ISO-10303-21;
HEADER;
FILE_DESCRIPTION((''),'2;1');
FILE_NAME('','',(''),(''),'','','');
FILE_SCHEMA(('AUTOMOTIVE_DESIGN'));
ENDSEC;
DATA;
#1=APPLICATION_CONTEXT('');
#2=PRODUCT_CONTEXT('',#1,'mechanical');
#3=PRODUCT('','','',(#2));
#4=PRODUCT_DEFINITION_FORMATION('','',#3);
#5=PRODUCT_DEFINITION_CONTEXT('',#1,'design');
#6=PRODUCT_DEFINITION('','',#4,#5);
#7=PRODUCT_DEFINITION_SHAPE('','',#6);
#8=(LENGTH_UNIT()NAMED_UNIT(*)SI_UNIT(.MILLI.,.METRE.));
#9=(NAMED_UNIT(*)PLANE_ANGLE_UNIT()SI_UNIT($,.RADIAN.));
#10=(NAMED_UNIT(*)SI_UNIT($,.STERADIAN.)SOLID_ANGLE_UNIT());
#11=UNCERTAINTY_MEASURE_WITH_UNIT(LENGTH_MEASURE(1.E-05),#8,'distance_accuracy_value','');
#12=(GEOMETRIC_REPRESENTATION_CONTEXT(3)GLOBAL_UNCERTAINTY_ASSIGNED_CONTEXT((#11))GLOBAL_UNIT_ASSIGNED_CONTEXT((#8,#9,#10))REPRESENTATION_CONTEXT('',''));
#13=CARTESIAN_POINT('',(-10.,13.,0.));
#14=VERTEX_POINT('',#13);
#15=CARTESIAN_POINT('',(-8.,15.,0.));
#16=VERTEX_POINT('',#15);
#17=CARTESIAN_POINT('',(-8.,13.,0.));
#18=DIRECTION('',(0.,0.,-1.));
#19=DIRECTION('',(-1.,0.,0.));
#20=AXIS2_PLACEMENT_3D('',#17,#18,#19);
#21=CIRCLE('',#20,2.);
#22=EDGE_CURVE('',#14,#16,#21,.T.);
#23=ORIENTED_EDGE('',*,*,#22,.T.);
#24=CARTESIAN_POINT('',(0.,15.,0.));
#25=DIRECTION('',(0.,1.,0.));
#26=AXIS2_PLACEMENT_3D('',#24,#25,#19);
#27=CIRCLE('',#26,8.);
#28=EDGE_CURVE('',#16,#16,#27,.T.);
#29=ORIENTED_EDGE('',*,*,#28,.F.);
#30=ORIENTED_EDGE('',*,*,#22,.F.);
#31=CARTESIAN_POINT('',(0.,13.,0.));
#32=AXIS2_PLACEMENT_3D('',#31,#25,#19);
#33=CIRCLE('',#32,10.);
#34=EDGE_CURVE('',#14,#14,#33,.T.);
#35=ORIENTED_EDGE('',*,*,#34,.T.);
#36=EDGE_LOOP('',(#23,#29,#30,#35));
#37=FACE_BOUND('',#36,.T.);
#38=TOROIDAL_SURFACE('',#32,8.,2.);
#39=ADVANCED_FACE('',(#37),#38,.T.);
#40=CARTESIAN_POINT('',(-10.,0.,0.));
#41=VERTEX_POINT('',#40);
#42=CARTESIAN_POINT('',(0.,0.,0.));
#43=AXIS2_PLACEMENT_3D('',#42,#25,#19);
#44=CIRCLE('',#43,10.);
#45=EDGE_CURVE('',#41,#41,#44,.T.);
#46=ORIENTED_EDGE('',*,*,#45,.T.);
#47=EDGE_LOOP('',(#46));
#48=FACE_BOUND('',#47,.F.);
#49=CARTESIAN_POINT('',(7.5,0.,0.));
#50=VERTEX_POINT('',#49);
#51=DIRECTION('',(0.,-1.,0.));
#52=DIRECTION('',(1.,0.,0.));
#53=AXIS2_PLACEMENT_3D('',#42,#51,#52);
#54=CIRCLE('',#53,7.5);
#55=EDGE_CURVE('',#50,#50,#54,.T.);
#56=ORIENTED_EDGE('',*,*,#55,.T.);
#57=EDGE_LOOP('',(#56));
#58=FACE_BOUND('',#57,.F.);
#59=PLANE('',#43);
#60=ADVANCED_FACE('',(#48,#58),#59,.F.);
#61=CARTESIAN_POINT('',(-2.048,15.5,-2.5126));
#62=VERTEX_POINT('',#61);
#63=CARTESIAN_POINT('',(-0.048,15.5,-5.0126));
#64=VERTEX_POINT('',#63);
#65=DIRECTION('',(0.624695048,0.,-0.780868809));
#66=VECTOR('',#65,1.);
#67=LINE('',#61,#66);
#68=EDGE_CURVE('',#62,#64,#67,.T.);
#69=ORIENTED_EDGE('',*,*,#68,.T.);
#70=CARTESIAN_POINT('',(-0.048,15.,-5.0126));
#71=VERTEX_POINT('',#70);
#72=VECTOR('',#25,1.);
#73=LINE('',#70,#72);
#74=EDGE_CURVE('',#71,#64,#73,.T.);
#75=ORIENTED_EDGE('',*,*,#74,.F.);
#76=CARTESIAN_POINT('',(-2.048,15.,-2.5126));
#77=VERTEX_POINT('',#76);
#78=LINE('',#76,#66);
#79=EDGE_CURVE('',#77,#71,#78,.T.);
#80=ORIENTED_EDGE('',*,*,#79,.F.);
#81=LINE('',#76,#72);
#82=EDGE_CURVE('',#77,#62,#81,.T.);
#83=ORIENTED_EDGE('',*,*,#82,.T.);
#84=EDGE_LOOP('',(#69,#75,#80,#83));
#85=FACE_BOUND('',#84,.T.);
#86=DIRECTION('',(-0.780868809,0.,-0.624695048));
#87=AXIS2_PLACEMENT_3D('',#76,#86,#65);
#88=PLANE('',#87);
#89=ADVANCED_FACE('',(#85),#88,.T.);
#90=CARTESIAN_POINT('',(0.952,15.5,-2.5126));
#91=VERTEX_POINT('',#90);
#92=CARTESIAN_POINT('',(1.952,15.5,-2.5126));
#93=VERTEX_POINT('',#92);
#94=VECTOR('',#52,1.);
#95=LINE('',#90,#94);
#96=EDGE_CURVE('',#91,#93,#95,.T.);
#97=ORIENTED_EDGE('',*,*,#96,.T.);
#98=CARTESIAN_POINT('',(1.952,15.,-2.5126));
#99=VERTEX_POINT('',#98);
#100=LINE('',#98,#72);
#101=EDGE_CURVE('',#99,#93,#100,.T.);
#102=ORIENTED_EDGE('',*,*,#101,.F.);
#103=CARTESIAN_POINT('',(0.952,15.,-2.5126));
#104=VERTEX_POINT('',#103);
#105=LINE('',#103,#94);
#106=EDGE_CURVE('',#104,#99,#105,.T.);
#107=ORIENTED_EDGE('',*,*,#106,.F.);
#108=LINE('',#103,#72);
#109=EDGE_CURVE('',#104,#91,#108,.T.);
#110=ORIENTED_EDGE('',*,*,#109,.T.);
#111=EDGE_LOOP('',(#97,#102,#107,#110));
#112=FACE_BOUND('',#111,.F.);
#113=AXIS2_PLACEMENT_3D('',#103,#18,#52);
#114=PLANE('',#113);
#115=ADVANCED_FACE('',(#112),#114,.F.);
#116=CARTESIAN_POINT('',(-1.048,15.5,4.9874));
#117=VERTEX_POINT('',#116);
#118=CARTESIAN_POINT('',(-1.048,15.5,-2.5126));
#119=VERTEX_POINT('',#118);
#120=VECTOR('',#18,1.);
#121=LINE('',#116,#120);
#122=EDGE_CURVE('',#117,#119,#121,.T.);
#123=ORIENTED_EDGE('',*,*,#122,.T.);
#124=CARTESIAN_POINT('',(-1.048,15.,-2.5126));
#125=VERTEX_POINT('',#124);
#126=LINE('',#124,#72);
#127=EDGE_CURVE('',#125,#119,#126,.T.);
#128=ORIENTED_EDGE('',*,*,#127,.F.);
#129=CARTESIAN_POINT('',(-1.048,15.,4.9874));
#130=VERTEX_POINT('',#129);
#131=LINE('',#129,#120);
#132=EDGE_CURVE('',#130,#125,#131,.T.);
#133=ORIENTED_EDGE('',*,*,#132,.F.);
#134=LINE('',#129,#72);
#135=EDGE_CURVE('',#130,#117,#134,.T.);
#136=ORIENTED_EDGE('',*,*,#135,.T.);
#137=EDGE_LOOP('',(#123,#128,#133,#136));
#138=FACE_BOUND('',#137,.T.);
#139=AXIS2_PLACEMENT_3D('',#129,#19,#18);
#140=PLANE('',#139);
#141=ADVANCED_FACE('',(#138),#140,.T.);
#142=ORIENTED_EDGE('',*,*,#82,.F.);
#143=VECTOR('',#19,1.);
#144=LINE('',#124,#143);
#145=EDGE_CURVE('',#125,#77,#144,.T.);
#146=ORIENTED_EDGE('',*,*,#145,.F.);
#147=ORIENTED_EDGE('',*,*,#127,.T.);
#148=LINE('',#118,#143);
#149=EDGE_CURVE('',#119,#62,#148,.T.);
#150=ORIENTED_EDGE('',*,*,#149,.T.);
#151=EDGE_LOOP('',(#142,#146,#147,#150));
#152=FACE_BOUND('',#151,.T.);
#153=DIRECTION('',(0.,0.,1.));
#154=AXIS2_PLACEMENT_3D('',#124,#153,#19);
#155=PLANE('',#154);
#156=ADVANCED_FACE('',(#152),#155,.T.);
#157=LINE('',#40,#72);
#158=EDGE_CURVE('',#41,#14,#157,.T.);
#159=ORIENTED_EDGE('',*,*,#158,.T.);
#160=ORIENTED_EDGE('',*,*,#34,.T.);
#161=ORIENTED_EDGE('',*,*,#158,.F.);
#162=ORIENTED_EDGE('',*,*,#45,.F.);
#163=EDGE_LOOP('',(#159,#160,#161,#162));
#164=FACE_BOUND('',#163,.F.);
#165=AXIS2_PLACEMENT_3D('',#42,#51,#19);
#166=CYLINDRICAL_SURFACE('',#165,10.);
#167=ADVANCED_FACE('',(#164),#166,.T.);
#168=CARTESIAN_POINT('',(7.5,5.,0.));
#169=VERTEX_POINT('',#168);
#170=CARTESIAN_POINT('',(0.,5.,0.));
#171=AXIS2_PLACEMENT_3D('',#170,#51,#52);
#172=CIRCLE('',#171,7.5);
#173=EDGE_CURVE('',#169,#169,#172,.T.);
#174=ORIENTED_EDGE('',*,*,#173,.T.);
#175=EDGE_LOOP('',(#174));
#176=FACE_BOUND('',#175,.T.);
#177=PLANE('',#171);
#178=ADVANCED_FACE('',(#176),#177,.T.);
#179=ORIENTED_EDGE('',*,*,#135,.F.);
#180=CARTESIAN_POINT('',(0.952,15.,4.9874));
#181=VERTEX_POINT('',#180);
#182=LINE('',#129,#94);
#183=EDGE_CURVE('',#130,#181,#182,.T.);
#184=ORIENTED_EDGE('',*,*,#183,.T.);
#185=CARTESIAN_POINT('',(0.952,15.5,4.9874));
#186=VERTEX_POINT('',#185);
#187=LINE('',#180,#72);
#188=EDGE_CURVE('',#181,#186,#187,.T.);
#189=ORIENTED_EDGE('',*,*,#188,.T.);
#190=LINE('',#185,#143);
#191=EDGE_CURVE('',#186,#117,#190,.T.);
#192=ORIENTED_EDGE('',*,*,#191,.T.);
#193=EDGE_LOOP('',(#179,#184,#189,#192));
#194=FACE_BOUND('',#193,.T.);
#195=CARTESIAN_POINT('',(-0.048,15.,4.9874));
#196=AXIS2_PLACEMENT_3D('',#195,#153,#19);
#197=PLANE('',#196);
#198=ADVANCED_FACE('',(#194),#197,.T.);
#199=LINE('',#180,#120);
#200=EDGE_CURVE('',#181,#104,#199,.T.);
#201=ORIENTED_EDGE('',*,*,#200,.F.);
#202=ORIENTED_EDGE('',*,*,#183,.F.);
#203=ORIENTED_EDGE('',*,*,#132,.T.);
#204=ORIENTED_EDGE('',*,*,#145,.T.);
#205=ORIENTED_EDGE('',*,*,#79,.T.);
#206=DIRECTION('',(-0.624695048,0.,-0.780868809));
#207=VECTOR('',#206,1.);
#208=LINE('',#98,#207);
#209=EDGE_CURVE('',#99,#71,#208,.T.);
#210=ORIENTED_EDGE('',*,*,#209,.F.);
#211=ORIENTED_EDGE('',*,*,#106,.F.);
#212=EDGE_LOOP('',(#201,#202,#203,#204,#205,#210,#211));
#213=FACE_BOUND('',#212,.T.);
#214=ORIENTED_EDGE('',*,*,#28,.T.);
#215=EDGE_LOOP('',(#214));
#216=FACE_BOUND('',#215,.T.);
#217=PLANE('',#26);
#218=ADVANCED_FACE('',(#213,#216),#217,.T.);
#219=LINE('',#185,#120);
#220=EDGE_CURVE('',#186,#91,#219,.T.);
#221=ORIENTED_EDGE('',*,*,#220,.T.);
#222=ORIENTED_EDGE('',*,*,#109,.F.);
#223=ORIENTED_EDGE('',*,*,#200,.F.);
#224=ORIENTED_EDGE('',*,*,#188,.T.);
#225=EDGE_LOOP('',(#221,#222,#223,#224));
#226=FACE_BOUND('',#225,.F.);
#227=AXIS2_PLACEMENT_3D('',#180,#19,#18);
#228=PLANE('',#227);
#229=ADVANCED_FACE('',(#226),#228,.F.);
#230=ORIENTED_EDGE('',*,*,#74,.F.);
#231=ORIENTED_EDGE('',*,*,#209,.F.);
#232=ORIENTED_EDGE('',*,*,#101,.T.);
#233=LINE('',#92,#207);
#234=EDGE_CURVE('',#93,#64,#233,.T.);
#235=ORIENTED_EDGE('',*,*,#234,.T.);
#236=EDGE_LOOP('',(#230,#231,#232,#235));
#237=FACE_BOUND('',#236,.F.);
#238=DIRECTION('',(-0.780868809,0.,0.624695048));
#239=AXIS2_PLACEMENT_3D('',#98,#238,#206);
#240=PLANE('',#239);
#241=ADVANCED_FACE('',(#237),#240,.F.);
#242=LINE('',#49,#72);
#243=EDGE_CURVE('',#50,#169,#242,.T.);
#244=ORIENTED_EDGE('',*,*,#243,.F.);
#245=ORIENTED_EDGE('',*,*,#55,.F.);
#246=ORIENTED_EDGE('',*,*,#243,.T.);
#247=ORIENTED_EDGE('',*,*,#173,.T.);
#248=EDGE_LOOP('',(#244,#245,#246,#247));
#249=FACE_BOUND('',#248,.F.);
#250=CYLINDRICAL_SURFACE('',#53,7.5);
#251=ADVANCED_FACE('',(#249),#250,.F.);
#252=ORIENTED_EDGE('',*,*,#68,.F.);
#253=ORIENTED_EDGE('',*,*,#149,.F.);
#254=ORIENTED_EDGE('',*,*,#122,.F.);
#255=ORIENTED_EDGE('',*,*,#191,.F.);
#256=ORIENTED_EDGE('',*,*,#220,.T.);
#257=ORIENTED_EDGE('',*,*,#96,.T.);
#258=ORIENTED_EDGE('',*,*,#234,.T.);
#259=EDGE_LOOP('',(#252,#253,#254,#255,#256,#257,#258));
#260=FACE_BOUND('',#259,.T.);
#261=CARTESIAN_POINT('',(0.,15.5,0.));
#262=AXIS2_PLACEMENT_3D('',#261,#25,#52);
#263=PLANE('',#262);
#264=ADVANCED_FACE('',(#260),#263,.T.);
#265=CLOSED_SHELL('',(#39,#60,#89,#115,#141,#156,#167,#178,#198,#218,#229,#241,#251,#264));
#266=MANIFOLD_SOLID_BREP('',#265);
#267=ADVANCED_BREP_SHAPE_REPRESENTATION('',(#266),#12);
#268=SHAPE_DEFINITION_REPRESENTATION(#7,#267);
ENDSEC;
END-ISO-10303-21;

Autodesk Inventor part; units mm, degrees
ref_plane "YZ Plane" through (0, 0, 0) normal (1, 0, 0) x (0, 1, 0)
ref_plane "XZ Plane" through (0, 0, 0) normal (0, 1, 0) x (-1, 0, 0)
ref_plane "XY Plane" through (0, 0, 0) normal (0, 0, 1) x (1, 0, 0)
sketch "Sketch1" plane through (0, 0, 0) normal (0, 1, 0) x (-1, 0, 0)
  circle A0 centre (0, 0) radius 10
  dimension "d0" = 20
extrude "Extrusion1" add sketch "Sketch1" along normal blind 15
sketch "Sketch2" plane through (0, 0, 0) normal (0, -1, 0) x (1, 0, 0)
  circle A0 centre (0, 0) radius 7.5
  dimension "d3" = 15
extrude "Extrusion2" cut sketch "Sketch2" against normal blind 5
fillet "Fillet1" radius 2 1 edges at (10, 15, 0)
sketch "Sketch3" plane through (0, 15, 0) normal (0, 1, 0) x (1, 0, 0)
  line L0 (-0.048, -4.9874) -> (-1.048, -4.9874)
  line L1 (-1.048, -4.9874) -> (-1.048, 2.5126)
  line L2 (-1.048, 2.5126) -> (-2.048, 2.5126)
  line L3 (-2.048, 2.5126) -> (-0.048, 5.0126)
  line L4 (-0.048, 5.0126) -> (-0.048, -4.9874)
  line L5 (-0.048, -4.9874) -> (0.952, -4.9874)
  line L6 (0.952, -4.9874) -> (0.952, 2.5126)
  line L7 (0.952, 2.5126) -> (1.952, 2.5126)
  line L8 (1.952, 2.5126) -> (-0.048, 5.0126)
  point P0 (0, 0)
  dimension "d7" = 1
  dimension "d8" = 7.5
  dimension "d9" = 10
extrude "Extrusion3" add sketch "Sketch3" along normal blind 0.5
properties part number "Device Direction Button"
